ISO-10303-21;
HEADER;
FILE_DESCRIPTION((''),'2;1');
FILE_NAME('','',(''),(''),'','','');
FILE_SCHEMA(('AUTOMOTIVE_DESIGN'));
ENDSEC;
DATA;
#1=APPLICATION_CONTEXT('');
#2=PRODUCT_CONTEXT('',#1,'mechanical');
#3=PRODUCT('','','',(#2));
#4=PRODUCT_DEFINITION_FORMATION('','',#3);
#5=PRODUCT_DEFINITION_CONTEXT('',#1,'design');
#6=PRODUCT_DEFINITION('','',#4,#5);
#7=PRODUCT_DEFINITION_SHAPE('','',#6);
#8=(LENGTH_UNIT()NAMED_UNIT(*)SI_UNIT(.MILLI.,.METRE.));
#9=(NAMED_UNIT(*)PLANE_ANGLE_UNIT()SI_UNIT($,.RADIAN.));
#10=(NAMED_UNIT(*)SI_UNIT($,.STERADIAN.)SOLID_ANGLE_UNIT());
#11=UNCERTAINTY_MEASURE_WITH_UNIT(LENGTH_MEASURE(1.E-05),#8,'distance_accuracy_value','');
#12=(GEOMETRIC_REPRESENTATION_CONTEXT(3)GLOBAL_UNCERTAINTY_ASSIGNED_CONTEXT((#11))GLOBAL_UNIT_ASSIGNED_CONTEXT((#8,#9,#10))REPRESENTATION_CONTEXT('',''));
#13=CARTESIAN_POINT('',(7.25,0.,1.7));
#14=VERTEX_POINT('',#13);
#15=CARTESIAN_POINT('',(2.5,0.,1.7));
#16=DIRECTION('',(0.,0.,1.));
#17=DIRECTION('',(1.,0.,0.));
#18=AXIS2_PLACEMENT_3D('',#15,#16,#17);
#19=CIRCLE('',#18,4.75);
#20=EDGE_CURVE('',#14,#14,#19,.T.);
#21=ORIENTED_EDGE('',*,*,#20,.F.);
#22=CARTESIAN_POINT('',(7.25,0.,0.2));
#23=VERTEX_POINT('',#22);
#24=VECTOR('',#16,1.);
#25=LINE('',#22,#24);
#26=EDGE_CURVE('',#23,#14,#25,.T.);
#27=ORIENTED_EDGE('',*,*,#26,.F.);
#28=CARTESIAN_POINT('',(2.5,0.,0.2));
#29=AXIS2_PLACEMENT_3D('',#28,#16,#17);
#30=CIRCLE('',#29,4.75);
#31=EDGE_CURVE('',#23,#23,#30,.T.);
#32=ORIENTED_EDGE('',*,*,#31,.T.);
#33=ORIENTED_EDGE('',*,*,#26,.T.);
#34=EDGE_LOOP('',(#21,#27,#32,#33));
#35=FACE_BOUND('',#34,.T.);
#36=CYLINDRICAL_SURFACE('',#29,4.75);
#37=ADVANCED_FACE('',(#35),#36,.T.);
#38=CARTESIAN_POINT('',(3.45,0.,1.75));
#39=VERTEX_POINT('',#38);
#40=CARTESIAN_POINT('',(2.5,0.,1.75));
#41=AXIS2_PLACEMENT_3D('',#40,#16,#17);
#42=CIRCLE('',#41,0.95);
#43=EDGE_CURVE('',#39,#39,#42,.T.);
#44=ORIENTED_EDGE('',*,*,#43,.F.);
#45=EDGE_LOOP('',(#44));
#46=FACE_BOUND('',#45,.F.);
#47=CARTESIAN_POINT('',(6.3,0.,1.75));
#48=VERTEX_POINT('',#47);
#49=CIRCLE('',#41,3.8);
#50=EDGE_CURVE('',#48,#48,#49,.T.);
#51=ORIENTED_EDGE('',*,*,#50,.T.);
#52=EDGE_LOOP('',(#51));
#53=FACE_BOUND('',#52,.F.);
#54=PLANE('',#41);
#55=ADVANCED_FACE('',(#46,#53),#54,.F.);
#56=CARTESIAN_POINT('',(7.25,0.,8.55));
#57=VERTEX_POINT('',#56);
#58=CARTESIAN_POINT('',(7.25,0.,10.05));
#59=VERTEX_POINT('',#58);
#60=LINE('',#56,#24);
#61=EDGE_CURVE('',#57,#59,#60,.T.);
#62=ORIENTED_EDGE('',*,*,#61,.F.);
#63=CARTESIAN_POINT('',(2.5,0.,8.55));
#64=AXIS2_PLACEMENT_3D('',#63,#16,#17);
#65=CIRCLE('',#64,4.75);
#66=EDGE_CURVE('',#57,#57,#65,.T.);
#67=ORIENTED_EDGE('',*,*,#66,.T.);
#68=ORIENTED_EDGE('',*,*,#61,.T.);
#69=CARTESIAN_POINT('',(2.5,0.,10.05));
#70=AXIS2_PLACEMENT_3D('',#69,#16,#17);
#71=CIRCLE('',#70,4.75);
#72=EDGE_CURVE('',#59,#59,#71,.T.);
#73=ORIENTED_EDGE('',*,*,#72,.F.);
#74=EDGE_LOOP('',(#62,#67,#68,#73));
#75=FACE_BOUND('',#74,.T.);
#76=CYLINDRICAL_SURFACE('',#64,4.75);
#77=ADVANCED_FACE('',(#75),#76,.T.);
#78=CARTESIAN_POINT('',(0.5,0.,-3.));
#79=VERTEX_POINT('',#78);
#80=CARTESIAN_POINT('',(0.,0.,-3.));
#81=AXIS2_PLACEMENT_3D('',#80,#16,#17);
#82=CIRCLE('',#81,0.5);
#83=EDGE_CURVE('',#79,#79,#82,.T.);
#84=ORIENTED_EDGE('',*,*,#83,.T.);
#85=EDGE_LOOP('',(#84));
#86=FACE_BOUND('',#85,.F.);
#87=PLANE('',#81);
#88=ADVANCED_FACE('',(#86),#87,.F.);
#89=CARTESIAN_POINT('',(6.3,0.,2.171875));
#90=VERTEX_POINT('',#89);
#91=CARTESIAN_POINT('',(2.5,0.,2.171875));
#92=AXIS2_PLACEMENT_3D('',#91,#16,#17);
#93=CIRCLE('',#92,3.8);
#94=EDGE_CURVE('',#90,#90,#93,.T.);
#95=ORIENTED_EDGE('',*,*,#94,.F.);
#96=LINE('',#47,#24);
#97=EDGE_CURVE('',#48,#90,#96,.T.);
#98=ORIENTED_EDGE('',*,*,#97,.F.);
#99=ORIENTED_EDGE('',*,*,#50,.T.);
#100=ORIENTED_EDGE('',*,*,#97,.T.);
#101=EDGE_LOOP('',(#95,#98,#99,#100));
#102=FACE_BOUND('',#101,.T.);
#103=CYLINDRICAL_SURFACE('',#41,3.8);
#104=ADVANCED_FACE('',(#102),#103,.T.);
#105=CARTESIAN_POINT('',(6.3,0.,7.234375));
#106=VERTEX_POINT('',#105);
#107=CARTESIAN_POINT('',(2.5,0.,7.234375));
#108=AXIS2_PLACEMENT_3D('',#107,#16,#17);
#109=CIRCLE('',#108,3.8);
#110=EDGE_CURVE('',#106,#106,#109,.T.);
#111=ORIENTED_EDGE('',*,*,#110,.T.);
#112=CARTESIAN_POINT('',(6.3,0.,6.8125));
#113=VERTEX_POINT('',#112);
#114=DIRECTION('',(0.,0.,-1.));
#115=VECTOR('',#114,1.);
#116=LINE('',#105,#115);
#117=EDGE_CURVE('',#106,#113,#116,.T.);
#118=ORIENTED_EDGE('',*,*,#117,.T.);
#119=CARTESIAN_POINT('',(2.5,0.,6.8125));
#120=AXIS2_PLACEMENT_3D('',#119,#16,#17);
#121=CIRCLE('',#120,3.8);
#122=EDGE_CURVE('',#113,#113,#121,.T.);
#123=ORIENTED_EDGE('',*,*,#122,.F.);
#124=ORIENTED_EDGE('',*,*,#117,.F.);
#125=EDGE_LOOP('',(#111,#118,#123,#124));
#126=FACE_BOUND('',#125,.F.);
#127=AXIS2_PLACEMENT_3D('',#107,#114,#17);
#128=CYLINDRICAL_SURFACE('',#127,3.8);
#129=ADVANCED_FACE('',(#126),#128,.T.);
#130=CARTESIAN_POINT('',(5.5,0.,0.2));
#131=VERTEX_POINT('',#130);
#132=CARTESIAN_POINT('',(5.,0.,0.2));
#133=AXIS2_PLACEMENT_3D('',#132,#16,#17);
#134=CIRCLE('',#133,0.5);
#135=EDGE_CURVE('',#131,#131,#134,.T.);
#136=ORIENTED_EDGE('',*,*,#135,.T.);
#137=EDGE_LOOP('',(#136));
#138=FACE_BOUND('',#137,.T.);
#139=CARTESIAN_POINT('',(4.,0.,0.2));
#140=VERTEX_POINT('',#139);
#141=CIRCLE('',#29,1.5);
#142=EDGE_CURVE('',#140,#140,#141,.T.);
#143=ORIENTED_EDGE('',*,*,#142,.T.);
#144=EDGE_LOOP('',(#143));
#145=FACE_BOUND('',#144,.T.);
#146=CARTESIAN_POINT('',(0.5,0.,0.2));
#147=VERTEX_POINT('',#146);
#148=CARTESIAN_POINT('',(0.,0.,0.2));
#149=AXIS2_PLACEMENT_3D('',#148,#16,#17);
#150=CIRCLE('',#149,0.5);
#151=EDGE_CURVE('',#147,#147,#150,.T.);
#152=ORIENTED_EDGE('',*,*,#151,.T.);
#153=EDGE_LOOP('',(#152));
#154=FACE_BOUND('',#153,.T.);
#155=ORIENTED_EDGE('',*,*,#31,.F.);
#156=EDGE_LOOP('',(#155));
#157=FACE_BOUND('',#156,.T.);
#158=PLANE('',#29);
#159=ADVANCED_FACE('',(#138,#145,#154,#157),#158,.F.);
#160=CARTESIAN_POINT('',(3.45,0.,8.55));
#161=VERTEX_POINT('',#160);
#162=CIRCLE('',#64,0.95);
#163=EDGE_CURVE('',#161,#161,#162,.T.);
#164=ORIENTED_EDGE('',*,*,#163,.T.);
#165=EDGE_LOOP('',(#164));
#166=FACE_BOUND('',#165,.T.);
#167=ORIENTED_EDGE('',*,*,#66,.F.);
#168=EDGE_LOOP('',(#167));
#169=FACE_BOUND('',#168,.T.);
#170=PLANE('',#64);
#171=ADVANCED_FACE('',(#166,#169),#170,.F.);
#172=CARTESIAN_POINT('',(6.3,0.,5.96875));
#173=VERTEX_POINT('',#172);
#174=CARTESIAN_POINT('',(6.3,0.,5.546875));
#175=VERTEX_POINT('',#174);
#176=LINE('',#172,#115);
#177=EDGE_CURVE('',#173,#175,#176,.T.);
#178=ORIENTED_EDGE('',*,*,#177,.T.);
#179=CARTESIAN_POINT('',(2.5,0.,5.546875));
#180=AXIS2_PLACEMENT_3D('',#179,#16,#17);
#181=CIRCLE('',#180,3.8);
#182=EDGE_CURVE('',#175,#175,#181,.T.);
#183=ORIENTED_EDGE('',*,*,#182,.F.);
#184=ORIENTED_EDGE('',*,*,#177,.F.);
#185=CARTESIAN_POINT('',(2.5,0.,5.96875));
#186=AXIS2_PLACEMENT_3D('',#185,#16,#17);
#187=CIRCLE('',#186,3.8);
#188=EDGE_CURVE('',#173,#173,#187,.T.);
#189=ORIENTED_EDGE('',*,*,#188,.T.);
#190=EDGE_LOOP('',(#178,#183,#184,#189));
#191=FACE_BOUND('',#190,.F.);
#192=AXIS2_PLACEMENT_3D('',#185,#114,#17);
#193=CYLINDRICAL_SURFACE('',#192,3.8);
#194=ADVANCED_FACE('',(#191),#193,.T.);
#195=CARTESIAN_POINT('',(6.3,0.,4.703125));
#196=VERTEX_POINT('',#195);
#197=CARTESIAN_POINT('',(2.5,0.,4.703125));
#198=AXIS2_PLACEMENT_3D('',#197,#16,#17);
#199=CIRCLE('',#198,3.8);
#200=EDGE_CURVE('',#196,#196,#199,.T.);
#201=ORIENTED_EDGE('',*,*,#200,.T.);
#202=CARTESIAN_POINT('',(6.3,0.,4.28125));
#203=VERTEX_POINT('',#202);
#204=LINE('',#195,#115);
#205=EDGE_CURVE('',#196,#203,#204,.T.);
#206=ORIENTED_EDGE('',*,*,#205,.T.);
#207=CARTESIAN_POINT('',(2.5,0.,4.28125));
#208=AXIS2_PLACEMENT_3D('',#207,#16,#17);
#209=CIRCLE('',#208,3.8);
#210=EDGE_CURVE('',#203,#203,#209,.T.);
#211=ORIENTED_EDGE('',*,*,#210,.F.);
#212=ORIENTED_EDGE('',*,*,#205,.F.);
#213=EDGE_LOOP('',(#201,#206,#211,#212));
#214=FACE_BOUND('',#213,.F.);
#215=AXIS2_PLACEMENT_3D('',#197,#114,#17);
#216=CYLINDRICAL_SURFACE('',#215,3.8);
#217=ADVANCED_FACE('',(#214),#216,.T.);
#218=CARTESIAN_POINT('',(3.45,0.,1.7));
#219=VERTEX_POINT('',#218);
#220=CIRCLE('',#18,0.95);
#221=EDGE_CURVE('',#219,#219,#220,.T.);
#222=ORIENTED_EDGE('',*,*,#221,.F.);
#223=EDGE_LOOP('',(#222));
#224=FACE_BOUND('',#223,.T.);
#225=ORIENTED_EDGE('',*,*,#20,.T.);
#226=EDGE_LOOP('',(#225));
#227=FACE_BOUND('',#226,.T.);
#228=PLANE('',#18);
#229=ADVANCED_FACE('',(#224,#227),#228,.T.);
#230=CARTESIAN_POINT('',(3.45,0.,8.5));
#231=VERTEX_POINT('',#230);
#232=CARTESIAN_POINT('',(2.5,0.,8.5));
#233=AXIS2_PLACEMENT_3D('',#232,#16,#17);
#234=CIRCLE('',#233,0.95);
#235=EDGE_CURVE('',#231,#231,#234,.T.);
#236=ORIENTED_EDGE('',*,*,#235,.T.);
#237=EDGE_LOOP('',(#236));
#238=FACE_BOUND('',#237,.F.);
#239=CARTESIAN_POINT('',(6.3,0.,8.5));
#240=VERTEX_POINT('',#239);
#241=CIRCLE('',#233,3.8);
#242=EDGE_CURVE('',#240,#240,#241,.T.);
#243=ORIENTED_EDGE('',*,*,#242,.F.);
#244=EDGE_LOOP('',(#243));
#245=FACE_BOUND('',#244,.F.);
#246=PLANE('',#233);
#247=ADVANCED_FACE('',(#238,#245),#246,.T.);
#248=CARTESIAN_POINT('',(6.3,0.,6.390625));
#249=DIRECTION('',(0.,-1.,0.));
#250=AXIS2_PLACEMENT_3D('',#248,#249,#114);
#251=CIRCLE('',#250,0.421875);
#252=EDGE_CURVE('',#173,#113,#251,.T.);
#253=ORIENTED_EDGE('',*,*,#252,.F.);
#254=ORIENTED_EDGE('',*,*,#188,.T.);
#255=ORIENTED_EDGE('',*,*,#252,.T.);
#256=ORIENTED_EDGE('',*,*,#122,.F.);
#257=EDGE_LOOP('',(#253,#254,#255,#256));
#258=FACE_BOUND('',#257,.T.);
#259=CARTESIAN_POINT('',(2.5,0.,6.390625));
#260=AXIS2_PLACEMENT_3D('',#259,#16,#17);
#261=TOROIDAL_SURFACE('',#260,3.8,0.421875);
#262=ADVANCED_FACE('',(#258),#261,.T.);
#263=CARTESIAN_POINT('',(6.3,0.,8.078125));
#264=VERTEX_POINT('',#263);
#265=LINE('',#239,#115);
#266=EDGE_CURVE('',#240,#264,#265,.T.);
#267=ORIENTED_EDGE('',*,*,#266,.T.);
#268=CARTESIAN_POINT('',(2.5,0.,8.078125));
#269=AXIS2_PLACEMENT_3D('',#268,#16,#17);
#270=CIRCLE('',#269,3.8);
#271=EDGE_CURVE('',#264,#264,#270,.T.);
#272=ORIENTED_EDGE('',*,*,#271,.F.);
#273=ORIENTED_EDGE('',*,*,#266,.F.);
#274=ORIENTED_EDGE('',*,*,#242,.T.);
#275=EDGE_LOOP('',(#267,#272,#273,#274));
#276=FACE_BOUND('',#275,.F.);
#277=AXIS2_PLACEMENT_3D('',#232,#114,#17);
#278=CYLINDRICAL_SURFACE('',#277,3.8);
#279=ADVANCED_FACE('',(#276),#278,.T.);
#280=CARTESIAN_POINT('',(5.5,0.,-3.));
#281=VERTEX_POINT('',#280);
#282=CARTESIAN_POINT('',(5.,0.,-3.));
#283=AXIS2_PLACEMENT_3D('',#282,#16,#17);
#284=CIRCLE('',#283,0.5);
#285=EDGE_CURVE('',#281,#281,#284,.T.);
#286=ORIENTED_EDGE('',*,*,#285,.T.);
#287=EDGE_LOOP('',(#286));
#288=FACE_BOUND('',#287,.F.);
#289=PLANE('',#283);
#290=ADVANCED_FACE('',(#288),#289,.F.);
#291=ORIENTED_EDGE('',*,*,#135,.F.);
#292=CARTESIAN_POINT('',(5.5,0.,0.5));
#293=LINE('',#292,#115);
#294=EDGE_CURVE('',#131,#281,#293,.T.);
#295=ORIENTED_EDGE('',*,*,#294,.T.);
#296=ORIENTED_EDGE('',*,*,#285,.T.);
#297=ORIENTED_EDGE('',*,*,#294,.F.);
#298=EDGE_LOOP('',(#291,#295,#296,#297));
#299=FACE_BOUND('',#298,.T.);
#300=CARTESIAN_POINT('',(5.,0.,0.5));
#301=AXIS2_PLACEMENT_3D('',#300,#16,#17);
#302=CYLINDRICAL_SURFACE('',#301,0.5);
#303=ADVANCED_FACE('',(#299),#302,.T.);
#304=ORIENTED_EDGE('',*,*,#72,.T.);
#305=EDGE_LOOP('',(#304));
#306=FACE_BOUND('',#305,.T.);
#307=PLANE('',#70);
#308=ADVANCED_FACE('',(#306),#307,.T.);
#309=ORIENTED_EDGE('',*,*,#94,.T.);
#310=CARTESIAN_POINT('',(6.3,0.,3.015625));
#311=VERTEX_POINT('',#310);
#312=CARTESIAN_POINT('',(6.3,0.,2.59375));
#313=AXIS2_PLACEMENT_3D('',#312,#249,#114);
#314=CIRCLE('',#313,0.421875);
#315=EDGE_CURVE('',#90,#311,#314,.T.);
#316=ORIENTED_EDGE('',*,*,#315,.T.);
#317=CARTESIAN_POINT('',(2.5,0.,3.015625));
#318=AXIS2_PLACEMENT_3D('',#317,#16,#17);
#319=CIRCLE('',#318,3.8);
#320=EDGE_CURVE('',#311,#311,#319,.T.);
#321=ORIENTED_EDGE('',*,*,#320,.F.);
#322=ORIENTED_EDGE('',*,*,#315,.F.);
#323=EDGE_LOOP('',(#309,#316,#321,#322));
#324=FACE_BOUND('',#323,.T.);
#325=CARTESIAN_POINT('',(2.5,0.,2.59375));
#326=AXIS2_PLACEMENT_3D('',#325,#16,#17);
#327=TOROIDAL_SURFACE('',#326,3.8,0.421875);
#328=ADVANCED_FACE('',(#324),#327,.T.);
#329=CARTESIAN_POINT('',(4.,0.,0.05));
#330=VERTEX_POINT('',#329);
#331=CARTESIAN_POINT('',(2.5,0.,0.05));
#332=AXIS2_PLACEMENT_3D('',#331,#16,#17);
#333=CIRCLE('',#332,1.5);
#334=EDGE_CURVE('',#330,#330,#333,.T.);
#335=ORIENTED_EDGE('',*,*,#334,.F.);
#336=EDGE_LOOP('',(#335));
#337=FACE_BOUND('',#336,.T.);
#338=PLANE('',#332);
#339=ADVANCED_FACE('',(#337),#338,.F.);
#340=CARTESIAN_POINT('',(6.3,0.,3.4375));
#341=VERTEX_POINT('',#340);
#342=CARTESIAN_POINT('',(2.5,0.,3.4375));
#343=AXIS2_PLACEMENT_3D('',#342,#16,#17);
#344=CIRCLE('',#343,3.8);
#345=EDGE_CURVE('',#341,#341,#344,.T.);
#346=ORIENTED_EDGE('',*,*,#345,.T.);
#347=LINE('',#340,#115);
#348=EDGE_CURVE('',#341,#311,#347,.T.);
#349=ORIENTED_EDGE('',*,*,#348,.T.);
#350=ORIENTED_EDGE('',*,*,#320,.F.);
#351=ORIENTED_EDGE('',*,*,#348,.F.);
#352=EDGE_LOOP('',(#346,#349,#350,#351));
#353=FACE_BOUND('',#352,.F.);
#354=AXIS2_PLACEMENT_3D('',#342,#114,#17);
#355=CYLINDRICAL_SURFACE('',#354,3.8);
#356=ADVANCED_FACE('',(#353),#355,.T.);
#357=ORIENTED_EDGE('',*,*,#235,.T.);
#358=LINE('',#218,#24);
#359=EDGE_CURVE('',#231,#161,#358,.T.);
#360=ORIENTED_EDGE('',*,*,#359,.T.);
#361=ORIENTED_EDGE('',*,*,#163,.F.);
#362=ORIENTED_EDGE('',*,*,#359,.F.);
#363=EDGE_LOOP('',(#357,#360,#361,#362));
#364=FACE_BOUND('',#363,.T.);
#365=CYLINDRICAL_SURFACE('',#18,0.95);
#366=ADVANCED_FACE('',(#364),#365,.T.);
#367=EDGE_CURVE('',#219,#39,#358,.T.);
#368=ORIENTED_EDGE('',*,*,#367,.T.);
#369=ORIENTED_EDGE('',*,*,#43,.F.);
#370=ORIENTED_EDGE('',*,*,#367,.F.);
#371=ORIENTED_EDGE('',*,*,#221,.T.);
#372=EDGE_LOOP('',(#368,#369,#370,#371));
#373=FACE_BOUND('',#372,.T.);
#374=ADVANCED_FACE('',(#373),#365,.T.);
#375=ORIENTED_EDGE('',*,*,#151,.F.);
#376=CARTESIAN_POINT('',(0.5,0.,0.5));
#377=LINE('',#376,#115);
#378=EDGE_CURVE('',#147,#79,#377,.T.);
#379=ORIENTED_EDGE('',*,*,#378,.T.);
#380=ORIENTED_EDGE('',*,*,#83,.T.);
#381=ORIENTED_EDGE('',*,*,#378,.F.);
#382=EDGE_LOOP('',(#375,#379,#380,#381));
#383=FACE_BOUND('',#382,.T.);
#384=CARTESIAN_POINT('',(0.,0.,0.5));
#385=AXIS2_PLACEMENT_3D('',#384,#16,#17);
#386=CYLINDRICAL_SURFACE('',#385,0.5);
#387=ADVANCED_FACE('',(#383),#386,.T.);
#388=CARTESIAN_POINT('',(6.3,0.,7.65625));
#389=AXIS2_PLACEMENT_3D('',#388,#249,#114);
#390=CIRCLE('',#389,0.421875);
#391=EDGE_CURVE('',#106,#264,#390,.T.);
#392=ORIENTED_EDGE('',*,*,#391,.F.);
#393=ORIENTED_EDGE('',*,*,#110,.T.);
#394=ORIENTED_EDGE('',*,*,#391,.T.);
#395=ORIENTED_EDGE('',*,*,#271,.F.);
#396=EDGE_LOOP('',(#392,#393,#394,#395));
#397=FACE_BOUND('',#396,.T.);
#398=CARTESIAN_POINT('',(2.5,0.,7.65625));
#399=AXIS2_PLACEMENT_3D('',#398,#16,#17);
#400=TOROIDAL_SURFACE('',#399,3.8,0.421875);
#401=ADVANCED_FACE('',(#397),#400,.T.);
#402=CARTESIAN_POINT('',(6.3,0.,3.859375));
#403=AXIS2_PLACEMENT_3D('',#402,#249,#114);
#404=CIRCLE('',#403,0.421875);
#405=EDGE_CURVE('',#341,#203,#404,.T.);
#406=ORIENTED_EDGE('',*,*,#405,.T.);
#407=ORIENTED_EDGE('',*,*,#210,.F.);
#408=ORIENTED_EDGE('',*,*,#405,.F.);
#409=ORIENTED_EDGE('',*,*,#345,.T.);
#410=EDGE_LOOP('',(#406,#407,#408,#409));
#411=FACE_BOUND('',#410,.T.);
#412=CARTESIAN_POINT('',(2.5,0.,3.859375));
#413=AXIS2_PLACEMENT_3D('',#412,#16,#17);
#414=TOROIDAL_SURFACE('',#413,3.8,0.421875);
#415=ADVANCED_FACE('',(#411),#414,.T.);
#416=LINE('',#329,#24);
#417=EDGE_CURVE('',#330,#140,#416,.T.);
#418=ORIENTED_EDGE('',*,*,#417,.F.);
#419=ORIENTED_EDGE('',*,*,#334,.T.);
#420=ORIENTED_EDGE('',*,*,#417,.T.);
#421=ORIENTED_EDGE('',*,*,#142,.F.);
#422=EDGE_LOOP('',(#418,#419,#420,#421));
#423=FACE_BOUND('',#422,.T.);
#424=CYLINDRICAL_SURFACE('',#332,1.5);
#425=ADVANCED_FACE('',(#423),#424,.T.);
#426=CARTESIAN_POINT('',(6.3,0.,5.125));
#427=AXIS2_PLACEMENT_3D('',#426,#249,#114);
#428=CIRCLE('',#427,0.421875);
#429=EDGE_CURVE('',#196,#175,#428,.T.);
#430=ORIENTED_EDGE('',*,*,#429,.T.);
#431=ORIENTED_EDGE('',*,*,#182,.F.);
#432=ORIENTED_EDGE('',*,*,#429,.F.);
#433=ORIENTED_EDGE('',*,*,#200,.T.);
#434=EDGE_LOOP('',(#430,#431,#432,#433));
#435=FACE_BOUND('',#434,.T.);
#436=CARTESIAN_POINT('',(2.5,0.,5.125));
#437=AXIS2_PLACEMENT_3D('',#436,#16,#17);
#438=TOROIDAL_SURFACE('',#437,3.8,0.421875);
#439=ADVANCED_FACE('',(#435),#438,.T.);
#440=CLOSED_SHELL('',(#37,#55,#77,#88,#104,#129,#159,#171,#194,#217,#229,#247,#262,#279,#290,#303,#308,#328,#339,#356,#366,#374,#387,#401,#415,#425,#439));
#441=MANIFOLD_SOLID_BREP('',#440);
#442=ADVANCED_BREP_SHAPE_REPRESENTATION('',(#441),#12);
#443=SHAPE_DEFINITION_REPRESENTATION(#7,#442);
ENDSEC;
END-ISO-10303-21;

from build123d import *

# Parameters (mm, degrees)
SKETCH001_R  = 0.5
PAD001_DEPTH = 3.5


with BuildPart() as revolution:
    # Sketch → Revolution (revolve)
    with BuildSketch(Plane(origin=(2.5, 0, 0), x_dir=(1, 0, 0), z_dir=(0, -1, 0))):
        Polygon((0, 0.05), (1.5, 0.05), (1.5, 0.2), (4.75, 0.2), (4.75, 1.7), (0.95, 1.7), (0.95, 8.55), (4.75, 8.55), (4.75, 10.05), (0, 10.05), align=None)
    revolve(axis=Axis((2.5, 0, 0), (0, 0, 1)))


with BuildPart() as pad001:
    # Sketch001 → Pad001 (new body)
    with BuildSketch(Plane.XY.offset(0.5)):
        Circle(SKETCH001_R)
        with Locations((5, 0)):
            Circle(SKETCH001_R)
    extrude(amount=-PAD001_DEPTH)


with BuildPart() as l_radial_d9_5mm_p5_00mm_fastron_07hvp:
    # Sketch002 → Revolution001 (revolve)
    with BuildSketch(Plane(origin=(2.5, 0, 0), x_dir=(1, 0, 0), z_dir=(0, -1, 0))):
        with BuildLine():
            Line((3.8, 1.75), (0.95, 1.75))
            Line((0.95, 1.75), (0.95, 8.5))
            Line((0.95, 8.5), (3.8, 8.5))
            Line((3.8, 8.5), (3.8, 8.078125))
            ThreePointArc((3.8, 7.234375), (4.221875, 7.65625), (3.8, 8.078125))
            Line((3.8, 7.234375), (3.8, 6.8125))
            ThreePointArc((3.8, 5.96875), (4.221875, 6.390625), (3.8, 6.8125))
            Line((3.8, 5.96875), (3.8, 5.546875))
            ThreePointArc((3.8, 4.703125), (4.221875, 5.125), (3.8, 5.546875))
            Line((3.8, 4.703125), (3.8, 4.28125))
            ThreePointArc((3.8, 3.4375), (4.221875, 3.859375), (3.8, 4.28125))
            Line((3.8, 3.4375), (3.8, 3.015625))
            ThreePointArc((3.8, 2.171875), (4.221875, 2.59375), (3.8, 3.015625))
            Line((3.8, 1.75), (3.8, 2.171875))
        make_face()
    revolve(axis=Axis((2.5, 0, 0), (0, 0, 1)))

    # Revolution001_mp_cp: union Revolution, Pad001
    add(revolution.part)
    add(pad001.part)


solid = l_radial_d9_5mm_p5_00mm_fastron_07hvp.part
